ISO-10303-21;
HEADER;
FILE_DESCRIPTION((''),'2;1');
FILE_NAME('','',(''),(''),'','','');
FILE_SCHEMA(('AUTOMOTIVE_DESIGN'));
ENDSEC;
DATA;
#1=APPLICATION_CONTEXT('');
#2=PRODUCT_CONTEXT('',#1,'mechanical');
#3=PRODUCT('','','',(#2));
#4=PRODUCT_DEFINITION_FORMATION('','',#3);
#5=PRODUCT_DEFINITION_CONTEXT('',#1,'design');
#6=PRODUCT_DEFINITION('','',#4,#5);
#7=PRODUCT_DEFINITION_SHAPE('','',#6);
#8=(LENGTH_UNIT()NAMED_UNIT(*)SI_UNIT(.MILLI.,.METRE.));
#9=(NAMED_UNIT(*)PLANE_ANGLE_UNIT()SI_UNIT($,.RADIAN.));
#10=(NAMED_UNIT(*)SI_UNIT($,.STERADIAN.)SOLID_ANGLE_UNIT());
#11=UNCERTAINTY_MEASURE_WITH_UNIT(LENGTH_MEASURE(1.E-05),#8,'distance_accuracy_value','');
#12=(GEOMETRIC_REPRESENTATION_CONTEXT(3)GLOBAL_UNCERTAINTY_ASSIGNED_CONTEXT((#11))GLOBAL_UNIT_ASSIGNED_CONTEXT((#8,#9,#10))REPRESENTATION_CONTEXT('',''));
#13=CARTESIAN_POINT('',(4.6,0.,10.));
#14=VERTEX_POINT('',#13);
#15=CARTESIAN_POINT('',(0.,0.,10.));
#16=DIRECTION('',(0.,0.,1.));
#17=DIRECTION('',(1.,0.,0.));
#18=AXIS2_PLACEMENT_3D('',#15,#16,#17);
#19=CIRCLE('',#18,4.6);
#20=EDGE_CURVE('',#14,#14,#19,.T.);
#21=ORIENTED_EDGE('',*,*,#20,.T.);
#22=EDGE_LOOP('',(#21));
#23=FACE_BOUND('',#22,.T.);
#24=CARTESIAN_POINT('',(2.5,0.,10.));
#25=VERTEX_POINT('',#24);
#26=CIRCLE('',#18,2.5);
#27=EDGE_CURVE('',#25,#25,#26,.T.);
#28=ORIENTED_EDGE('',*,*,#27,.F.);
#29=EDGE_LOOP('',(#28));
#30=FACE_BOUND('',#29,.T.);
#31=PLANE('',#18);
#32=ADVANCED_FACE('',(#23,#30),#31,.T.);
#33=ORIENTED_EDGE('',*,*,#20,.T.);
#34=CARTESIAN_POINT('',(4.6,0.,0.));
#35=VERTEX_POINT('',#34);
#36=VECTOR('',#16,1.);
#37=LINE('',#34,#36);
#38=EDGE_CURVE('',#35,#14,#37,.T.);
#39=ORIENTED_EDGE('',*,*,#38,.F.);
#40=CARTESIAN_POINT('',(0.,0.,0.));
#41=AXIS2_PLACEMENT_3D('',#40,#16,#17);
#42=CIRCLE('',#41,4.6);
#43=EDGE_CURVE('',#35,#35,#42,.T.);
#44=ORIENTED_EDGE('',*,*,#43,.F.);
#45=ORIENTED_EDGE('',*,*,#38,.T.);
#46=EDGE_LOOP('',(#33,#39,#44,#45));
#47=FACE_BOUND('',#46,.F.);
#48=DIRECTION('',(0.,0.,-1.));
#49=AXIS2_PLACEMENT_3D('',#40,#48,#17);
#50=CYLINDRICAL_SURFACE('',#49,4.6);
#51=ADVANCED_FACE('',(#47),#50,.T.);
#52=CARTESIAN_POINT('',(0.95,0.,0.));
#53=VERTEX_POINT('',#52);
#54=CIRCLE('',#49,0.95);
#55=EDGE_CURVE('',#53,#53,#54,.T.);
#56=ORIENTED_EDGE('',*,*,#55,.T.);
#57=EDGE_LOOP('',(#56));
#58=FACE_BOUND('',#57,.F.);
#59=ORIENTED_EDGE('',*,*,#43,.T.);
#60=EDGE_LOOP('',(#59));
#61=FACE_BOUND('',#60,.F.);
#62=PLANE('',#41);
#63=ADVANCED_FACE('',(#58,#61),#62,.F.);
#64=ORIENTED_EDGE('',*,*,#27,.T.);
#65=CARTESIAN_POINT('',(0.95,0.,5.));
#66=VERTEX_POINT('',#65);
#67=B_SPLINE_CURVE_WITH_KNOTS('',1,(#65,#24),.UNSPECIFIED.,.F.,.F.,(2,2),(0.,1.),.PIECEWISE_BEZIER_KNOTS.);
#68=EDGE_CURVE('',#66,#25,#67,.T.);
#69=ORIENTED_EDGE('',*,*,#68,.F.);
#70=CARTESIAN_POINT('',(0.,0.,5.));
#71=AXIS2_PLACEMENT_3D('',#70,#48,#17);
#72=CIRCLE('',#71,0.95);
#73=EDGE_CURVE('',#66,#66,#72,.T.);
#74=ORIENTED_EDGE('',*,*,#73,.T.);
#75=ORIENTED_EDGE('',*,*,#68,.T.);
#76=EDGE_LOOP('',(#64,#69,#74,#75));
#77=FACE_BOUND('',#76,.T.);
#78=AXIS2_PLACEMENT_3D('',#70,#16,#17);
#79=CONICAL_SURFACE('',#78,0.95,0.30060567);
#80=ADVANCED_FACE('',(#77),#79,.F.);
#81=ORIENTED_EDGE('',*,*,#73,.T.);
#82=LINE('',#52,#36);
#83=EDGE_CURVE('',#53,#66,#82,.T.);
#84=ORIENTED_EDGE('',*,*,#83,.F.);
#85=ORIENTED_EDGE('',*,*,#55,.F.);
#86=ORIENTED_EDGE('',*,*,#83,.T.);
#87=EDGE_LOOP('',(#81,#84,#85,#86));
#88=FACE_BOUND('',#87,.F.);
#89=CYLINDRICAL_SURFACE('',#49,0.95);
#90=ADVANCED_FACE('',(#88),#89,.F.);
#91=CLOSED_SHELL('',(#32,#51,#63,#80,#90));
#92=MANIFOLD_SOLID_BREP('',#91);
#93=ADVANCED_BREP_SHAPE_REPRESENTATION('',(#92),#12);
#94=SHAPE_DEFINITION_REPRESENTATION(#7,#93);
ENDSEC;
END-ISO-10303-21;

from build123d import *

# Parameters (mm, degrees)
F0_R      = 4.6
F1_DEPTH  = 10
F2_R      = 0.95
F4_DEPTH  = 5
F4_FACE_R = 0.95
F3_R      = 2.5


with BuildPart() as f1:
    # F0 (on Top) → F1 (new body)
    with BuildSketch(Plane.XY):
        Circle(F0_R)
    extrude(amount=F1_DEPTH)

    # F2 (on face) → F4 (cut)
    with BuildSketch(Plane(origin=(0, 0, 0), x_dir=(1, 0, 0), z_dir=(0, 0, -1))):
        Circle(F2_R)
    extrude(amount=-F4_DEPTH, mode=Mode.SUBTRACT)

    # F4_face (on face) → F5 section 0
    with BuildSketch(Plane(origin=(0, 0, 5), x_dir=(1, 0, 0), z_dir=(0, 0, -1))):
        Circle(F4_FACE_R)
    # F3 (on face) → F5 section 1
    with BuildSketch(Plane.XY.offset(10)):
        Circle(F3_R)
    loft(mode=Mode.SUBTRACT)


solid = f1.part
